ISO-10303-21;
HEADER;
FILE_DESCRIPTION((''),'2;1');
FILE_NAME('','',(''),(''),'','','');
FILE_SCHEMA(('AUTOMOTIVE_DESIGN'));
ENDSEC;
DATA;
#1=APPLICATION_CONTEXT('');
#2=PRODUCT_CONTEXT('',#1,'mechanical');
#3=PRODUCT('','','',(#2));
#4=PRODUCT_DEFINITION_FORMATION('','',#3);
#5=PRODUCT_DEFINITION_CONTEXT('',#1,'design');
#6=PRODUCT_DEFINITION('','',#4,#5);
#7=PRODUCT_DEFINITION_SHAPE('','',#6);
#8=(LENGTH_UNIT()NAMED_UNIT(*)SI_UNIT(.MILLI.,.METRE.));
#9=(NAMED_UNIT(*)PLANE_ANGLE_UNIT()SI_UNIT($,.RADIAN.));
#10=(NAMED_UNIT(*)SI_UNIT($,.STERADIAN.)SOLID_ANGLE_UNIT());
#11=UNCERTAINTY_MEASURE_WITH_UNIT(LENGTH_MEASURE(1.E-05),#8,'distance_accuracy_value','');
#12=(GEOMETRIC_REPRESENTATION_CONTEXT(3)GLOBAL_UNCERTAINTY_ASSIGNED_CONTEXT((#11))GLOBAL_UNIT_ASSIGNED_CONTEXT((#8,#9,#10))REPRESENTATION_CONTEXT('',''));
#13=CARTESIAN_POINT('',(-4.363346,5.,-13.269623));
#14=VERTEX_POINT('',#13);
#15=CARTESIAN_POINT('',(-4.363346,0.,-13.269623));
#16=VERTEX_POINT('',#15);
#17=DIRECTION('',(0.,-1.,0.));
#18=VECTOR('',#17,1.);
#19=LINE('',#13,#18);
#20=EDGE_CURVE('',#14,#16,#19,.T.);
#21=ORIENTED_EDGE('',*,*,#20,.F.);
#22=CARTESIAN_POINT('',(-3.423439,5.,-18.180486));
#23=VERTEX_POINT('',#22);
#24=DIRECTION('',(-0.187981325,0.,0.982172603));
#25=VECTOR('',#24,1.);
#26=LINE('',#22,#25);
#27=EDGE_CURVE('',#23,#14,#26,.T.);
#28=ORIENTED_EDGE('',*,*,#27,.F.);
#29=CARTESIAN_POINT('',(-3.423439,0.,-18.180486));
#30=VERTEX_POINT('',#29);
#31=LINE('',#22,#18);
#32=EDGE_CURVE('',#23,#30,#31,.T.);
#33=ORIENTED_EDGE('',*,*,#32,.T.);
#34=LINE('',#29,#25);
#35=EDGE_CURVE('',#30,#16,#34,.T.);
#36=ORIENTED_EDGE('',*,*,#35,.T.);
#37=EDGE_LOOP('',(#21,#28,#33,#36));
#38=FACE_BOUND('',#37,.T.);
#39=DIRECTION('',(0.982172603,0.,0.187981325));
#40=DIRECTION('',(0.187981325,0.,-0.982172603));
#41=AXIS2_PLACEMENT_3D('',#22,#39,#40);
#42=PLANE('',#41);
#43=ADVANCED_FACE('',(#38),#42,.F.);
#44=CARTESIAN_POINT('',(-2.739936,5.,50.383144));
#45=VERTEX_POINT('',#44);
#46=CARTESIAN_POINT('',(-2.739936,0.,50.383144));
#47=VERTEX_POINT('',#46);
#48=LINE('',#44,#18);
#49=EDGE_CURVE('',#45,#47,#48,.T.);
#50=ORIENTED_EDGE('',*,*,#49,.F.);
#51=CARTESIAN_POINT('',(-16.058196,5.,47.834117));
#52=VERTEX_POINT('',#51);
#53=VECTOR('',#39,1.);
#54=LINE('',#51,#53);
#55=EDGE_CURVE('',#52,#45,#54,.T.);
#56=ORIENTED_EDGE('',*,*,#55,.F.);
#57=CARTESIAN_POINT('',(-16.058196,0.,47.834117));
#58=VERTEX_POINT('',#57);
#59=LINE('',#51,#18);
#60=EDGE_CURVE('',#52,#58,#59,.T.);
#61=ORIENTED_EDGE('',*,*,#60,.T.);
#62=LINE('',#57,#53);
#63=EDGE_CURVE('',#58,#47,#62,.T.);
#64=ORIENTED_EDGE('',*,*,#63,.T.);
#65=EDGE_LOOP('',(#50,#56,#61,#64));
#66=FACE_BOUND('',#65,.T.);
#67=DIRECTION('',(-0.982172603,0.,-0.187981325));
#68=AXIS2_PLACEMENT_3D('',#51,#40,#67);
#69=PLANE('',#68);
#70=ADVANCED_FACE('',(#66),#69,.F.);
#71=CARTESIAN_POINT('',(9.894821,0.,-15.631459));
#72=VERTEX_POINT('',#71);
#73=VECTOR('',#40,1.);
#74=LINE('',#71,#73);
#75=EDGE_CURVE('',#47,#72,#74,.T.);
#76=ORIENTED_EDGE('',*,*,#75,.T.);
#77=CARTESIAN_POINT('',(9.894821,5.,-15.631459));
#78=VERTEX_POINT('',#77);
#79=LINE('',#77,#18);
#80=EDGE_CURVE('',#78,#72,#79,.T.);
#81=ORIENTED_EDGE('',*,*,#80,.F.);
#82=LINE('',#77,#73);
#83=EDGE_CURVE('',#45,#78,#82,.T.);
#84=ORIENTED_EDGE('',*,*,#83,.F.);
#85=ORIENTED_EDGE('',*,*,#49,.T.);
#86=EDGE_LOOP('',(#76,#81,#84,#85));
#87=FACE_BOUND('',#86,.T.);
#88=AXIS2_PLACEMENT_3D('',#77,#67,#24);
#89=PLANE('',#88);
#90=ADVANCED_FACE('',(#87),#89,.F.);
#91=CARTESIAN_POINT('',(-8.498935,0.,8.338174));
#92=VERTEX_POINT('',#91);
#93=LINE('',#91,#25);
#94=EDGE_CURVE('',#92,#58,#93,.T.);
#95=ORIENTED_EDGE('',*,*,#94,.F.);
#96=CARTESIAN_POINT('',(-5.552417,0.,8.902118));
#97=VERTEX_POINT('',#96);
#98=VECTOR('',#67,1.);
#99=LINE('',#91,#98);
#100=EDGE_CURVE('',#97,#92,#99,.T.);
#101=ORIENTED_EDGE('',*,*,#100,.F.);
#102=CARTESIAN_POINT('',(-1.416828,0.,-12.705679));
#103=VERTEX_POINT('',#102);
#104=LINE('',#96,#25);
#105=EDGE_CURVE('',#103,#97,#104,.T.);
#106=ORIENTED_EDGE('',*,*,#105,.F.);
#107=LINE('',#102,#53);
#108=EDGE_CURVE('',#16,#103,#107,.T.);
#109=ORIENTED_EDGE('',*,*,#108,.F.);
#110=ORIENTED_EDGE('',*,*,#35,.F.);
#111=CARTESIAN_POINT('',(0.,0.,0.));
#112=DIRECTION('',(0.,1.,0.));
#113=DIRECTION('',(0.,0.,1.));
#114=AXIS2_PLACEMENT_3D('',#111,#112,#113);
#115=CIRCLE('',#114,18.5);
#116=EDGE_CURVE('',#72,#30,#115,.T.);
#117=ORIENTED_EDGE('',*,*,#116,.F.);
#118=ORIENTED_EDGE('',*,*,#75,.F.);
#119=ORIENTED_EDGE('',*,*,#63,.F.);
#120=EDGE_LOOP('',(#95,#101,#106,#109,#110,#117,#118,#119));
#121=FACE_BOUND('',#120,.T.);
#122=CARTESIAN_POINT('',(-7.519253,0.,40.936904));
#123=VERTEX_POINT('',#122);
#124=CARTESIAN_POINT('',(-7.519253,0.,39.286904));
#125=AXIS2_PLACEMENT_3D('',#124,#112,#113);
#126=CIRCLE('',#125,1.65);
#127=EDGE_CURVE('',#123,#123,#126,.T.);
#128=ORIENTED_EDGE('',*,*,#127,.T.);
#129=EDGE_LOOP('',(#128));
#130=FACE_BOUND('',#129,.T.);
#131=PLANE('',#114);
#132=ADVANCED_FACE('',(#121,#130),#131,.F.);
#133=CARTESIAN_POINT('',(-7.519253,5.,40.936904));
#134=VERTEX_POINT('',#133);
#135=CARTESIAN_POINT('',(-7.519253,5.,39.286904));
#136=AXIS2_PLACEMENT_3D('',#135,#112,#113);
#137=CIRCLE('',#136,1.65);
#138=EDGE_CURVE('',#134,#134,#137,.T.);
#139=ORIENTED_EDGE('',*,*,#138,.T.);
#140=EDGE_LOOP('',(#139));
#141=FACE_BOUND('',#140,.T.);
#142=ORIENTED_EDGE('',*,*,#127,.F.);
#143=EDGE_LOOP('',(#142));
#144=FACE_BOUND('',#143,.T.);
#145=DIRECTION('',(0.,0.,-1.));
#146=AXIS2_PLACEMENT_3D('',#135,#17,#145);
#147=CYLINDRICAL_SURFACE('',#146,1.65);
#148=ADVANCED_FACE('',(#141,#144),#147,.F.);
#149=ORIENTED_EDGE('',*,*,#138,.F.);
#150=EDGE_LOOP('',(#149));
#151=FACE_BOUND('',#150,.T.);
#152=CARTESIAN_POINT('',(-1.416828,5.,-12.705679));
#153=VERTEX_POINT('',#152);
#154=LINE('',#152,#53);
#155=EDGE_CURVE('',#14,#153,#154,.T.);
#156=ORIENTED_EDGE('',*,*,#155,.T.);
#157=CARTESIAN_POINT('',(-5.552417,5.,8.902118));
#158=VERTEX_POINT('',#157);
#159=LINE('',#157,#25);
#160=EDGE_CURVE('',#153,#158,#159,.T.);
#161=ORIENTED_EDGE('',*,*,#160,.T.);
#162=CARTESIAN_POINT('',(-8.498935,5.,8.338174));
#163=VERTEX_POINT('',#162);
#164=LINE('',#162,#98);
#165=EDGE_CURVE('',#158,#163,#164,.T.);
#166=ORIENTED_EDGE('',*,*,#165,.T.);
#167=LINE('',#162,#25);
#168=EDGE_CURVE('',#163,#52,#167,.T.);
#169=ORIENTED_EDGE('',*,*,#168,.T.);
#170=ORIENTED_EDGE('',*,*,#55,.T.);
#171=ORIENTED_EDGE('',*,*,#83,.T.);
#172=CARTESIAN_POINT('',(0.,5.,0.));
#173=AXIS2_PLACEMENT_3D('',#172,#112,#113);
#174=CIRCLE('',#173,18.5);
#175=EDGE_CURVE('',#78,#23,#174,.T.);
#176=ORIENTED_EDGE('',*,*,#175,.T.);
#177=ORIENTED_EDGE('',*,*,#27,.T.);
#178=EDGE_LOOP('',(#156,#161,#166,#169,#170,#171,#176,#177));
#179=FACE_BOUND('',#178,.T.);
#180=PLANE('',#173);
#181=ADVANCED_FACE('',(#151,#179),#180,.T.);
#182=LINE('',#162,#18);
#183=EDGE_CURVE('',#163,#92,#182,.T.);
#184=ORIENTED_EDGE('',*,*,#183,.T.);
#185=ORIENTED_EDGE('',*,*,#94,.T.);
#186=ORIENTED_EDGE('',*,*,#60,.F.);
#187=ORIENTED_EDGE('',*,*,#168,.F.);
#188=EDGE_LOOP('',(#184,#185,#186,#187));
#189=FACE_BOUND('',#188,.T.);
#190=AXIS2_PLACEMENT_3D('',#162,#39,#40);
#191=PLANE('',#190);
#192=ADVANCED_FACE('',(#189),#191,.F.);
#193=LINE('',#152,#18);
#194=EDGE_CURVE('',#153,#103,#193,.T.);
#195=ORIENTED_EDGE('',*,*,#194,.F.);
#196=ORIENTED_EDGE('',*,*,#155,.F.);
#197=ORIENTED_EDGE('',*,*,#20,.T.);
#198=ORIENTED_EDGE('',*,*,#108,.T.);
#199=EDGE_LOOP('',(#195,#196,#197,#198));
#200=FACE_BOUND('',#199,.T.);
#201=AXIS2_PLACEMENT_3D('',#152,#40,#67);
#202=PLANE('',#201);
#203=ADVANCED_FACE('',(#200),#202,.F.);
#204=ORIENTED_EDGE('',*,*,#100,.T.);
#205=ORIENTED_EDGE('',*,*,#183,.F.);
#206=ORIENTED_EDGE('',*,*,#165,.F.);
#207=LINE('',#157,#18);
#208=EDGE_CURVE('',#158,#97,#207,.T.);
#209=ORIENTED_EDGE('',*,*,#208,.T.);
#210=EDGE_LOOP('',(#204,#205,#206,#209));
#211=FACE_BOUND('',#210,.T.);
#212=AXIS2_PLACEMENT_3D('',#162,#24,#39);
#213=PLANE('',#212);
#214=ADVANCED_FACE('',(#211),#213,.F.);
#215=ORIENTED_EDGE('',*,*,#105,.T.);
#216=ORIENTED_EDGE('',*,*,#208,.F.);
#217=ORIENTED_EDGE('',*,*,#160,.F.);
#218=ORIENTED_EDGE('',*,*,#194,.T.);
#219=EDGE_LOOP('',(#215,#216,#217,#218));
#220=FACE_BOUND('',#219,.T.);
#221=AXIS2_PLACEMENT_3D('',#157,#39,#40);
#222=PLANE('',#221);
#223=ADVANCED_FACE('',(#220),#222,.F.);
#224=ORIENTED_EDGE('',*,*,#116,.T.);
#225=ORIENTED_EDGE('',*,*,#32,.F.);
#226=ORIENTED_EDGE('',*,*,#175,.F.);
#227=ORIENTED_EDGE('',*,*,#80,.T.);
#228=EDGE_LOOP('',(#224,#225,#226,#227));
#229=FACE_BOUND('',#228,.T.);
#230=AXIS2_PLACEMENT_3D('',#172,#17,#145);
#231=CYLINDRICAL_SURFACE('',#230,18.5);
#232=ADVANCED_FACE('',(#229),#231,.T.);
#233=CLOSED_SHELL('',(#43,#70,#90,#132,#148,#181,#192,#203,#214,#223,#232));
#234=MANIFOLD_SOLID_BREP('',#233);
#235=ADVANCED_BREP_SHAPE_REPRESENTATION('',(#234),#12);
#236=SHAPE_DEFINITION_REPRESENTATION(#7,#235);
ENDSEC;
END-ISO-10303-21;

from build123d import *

# Parameters (mm, degrees)
SKETCH1_R           = 1.65
BOSS_EXTRUDE1_DEPTH = 5


with BuildPart() as part:
    # Sketch1 → Boss-Extrude1 (new body)
    with BuildSketch(Plane(origin=(0, 0, 0), x_dir=(1, 0, 0), z_dir=(0, 1, 0))):
        with BuildLine():
            Line((-3.423439206, 18.180485802), (-4.363345829, 13.269622789))
            Line((-4.363345829, 13.269622789), (-1.416828021, 12.705678814))
            Line((-1.416828021, 12.705678814), (-5.552417165, -8.902118446))
            Line((-5.552417165, -8.902118446), (-8.498934973, -8.338174471))
            Line((-8.498934973, -8.338174471), (-16.058196483, -47.834116755))
            Line((-16.058196483, -47.834116755), (-2.73993599, -50.383143518))
            Line((-2.73993599, -50.383143518), (9.894821287, 15.631459039))
            ThreePointArc((9.894821287, 15.631459039), (3.477654507, 18.170193151), (-3.423439206, 18.180485802))
        make_face()
        with Locations(Location((-7.519252989, -39.286904109, 0), (0, 0, 270))):
            Circle(SKETCH1_R, mode=Mode.SUBTRACT)
    extrude(amount=BOSS_EXTRUDE1_DEPTH)


solid = part.part
